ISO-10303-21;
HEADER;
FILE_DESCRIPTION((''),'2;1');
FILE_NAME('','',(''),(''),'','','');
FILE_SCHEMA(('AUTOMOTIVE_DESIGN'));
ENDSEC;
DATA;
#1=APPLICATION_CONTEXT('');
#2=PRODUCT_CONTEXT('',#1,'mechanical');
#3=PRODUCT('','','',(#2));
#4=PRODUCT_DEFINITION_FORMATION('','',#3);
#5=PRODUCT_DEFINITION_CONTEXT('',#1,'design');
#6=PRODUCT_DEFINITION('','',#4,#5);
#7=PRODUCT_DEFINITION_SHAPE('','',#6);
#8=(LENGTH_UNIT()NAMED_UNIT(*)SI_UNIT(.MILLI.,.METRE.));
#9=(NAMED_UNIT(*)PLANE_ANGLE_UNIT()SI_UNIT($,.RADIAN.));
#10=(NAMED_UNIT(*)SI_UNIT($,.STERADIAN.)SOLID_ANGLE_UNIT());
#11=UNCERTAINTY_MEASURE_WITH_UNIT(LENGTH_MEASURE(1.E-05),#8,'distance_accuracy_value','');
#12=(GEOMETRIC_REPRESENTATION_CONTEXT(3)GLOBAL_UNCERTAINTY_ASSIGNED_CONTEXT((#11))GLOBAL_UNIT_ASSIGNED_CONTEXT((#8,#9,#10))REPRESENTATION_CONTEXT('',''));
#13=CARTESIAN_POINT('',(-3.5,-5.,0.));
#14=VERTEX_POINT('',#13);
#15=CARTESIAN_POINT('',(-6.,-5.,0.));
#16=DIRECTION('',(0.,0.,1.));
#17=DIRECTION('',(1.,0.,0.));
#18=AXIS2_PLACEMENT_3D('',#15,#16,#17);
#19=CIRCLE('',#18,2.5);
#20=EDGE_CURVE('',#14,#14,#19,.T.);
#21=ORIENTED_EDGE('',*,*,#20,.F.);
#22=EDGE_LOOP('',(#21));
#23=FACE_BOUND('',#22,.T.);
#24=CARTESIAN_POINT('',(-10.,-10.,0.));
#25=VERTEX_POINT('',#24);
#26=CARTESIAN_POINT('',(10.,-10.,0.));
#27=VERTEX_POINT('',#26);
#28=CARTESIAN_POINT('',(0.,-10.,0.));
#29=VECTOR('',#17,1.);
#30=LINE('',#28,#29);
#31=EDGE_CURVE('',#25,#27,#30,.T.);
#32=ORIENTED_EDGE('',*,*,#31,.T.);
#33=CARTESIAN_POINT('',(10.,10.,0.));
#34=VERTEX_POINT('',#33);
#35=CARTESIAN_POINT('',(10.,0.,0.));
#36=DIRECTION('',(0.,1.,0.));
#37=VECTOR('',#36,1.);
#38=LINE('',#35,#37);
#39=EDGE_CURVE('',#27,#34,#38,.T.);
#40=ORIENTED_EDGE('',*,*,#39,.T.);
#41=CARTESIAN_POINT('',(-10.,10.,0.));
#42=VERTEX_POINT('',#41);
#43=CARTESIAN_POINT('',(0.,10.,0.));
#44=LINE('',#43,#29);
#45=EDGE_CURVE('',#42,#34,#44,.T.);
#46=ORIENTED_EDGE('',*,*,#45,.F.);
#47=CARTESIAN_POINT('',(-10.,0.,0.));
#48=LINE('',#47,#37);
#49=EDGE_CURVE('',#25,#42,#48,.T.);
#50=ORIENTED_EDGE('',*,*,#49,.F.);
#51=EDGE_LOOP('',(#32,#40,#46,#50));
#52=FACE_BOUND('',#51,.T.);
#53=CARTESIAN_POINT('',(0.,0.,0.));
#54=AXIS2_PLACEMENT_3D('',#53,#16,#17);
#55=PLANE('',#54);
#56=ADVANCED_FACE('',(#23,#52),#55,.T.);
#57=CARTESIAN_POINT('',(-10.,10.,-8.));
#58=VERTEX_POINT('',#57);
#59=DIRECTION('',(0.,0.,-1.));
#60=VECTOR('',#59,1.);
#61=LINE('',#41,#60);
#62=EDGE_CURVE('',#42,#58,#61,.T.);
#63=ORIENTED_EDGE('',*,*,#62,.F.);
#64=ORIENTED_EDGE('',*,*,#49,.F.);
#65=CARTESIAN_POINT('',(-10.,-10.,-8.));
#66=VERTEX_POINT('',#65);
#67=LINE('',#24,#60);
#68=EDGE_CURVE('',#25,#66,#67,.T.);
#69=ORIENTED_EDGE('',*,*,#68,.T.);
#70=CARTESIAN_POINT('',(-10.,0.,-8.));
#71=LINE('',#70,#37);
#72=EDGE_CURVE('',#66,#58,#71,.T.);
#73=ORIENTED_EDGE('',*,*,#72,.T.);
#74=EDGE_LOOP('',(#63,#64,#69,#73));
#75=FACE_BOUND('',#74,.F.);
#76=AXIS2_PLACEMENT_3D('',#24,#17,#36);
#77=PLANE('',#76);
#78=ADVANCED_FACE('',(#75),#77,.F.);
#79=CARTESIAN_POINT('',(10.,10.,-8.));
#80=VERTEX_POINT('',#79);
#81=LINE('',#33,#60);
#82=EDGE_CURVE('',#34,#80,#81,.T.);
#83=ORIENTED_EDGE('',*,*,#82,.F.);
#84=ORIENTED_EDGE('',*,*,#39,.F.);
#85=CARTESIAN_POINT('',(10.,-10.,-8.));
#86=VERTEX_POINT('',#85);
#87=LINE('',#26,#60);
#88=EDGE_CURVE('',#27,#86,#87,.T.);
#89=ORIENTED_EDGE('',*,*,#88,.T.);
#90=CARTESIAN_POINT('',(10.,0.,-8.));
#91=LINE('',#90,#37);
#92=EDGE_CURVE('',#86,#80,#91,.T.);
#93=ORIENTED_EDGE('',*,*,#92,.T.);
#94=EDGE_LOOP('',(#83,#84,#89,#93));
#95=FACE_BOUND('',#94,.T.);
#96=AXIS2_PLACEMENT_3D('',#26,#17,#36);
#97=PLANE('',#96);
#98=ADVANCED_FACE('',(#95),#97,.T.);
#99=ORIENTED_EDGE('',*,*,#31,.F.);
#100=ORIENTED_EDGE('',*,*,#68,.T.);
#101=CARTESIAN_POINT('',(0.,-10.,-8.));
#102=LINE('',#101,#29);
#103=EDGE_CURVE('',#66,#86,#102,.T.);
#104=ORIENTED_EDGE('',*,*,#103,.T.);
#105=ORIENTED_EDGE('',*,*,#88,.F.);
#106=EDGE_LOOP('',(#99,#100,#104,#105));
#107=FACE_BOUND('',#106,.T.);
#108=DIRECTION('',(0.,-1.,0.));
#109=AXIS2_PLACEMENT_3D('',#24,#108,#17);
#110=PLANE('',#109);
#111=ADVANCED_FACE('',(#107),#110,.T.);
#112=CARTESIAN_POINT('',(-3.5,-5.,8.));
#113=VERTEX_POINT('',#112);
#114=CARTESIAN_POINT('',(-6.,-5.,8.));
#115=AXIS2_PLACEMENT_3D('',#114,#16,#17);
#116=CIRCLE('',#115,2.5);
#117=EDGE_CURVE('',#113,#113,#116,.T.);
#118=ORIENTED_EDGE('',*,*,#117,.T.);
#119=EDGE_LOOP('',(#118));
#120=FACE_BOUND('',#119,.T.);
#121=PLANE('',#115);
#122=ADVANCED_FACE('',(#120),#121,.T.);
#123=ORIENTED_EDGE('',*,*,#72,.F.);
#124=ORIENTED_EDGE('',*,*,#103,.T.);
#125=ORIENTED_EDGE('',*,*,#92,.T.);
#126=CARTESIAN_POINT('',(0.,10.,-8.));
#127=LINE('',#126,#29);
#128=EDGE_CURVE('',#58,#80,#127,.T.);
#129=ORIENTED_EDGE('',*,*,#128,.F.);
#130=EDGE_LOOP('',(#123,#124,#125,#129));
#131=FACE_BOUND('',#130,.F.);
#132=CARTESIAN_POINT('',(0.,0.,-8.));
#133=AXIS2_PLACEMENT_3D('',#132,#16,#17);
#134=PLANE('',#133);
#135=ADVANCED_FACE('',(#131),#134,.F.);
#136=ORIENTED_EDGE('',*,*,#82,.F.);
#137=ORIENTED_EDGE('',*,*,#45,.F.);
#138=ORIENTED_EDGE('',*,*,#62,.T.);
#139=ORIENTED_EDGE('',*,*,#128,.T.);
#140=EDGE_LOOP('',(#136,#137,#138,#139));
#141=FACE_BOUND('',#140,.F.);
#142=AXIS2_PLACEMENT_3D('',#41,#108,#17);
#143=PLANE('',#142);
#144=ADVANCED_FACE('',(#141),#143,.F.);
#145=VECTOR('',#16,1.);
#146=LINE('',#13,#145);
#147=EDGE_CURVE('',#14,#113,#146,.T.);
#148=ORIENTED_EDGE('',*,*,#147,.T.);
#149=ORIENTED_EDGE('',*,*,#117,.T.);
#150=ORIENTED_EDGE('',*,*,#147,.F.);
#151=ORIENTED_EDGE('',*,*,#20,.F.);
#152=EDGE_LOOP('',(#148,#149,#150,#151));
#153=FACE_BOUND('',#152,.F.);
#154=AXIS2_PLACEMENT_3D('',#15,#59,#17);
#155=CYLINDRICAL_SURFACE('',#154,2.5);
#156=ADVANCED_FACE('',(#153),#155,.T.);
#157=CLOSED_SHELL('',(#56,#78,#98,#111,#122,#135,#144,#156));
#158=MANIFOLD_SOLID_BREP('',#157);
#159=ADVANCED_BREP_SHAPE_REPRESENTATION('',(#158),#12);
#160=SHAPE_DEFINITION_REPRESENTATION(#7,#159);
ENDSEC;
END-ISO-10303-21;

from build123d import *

# Parameters (mm, degrees)
F1_R     = 2.5
F2_DEPTH = 8
F0_W     = 20
F0_H     = 20
F3_DEPTH = 8


with BuildPart() as f2:
    # F1 (on face) → F2 (new body)
    with BuildSketch(Plane.XY):
        with Locations((-6, -5)):
            Circle(F1_R)
    extrude(amount=F2_DEPTH)

    # F0 (on Top) → F3 (join)
    with BuildSketch(Plane.XY):
        Rectangle(F0_W, F0_H)
    extrude(amount=-F3_DEPTH)


solid = f2.part
